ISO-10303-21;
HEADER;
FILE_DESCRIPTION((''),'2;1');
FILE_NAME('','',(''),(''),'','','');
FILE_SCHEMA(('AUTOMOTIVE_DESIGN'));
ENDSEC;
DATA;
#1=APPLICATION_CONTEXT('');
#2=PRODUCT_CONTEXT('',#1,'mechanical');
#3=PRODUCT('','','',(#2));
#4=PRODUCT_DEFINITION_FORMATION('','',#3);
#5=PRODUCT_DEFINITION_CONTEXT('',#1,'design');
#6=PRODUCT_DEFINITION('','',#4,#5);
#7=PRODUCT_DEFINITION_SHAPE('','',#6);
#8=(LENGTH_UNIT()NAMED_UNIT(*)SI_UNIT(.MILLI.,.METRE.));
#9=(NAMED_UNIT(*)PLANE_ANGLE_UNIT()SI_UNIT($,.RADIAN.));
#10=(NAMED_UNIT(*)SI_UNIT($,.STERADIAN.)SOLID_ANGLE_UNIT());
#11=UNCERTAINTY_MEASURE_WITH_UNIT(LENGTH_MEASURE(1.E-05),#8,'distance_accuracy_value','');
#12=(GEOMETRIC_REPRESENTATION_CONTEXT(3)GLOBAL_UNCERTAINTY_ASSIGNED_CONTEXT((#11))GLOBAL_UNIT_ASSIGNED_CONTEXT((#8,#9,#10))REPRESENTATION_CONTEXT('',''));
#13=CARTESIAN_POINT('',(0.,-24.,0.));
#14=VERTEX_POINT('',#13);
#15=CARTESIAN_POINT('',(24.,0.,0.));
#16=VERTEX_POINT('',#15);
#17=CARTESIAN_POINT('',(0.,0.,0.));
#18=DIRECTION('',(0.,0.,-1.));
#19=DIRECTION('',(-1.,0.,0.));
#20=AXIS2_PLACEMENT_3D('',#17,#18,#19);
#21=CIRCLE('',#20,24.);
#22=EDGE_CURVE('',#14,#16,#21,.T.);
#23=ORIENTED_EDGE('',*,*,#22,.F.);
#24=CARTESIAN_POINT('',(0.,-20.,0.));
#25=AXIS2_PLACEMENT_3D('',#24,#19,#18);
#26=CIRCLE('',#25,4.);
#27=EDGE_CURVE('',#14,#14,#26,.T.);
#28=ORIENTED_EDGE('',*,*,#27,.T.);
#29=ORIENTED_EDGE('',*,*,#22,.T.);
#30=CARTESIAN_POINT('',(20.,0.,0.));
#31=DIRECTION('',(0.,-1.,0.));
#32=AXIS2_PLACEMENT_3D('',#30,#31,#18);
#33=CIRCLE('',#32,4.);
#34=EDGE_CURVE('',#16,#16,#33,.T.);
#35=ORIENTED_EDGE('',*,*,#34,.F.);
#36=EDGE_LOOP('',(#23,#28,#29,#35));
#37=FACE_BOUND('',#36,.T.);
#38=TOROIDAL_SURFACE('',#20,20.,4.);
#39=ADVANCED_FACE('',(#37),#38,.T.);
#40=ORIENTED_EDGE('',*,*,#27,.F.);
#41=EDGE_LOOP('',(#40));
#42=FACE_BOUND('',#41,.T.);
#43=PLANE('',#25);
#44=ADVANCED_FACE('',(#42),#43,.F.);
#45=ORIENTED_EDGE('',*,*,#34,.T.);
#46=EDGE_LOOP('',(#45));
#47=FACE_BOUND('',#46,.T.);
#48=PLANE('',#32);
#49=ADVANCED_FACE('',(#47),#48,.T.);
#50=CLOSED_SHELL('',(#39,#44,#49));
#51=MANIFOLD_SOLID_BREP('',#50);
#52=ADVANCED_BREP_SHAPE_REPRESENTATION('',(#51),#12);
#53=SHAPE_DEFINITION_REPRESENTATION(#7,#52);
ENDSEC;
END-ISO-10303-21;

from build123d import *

# Parameters (mm, degrees)
SKETCH_PROFILE_R    = 4
FEATURE_TORUS_ANGLE = 270


with BuildPart() as part:
    # sketch:profile → feature:torus (revolve)
    with BuildSketch(Plane.XZ):
        with Locations((20, 0)):
            Circle(SKETCH_PROFILE_R)
    revolve(axis=Axis((0, 0, -15), (0, 0, 1)), revolution_arc=FEATURE_TORUS_ANGLE)


solid = part.part
